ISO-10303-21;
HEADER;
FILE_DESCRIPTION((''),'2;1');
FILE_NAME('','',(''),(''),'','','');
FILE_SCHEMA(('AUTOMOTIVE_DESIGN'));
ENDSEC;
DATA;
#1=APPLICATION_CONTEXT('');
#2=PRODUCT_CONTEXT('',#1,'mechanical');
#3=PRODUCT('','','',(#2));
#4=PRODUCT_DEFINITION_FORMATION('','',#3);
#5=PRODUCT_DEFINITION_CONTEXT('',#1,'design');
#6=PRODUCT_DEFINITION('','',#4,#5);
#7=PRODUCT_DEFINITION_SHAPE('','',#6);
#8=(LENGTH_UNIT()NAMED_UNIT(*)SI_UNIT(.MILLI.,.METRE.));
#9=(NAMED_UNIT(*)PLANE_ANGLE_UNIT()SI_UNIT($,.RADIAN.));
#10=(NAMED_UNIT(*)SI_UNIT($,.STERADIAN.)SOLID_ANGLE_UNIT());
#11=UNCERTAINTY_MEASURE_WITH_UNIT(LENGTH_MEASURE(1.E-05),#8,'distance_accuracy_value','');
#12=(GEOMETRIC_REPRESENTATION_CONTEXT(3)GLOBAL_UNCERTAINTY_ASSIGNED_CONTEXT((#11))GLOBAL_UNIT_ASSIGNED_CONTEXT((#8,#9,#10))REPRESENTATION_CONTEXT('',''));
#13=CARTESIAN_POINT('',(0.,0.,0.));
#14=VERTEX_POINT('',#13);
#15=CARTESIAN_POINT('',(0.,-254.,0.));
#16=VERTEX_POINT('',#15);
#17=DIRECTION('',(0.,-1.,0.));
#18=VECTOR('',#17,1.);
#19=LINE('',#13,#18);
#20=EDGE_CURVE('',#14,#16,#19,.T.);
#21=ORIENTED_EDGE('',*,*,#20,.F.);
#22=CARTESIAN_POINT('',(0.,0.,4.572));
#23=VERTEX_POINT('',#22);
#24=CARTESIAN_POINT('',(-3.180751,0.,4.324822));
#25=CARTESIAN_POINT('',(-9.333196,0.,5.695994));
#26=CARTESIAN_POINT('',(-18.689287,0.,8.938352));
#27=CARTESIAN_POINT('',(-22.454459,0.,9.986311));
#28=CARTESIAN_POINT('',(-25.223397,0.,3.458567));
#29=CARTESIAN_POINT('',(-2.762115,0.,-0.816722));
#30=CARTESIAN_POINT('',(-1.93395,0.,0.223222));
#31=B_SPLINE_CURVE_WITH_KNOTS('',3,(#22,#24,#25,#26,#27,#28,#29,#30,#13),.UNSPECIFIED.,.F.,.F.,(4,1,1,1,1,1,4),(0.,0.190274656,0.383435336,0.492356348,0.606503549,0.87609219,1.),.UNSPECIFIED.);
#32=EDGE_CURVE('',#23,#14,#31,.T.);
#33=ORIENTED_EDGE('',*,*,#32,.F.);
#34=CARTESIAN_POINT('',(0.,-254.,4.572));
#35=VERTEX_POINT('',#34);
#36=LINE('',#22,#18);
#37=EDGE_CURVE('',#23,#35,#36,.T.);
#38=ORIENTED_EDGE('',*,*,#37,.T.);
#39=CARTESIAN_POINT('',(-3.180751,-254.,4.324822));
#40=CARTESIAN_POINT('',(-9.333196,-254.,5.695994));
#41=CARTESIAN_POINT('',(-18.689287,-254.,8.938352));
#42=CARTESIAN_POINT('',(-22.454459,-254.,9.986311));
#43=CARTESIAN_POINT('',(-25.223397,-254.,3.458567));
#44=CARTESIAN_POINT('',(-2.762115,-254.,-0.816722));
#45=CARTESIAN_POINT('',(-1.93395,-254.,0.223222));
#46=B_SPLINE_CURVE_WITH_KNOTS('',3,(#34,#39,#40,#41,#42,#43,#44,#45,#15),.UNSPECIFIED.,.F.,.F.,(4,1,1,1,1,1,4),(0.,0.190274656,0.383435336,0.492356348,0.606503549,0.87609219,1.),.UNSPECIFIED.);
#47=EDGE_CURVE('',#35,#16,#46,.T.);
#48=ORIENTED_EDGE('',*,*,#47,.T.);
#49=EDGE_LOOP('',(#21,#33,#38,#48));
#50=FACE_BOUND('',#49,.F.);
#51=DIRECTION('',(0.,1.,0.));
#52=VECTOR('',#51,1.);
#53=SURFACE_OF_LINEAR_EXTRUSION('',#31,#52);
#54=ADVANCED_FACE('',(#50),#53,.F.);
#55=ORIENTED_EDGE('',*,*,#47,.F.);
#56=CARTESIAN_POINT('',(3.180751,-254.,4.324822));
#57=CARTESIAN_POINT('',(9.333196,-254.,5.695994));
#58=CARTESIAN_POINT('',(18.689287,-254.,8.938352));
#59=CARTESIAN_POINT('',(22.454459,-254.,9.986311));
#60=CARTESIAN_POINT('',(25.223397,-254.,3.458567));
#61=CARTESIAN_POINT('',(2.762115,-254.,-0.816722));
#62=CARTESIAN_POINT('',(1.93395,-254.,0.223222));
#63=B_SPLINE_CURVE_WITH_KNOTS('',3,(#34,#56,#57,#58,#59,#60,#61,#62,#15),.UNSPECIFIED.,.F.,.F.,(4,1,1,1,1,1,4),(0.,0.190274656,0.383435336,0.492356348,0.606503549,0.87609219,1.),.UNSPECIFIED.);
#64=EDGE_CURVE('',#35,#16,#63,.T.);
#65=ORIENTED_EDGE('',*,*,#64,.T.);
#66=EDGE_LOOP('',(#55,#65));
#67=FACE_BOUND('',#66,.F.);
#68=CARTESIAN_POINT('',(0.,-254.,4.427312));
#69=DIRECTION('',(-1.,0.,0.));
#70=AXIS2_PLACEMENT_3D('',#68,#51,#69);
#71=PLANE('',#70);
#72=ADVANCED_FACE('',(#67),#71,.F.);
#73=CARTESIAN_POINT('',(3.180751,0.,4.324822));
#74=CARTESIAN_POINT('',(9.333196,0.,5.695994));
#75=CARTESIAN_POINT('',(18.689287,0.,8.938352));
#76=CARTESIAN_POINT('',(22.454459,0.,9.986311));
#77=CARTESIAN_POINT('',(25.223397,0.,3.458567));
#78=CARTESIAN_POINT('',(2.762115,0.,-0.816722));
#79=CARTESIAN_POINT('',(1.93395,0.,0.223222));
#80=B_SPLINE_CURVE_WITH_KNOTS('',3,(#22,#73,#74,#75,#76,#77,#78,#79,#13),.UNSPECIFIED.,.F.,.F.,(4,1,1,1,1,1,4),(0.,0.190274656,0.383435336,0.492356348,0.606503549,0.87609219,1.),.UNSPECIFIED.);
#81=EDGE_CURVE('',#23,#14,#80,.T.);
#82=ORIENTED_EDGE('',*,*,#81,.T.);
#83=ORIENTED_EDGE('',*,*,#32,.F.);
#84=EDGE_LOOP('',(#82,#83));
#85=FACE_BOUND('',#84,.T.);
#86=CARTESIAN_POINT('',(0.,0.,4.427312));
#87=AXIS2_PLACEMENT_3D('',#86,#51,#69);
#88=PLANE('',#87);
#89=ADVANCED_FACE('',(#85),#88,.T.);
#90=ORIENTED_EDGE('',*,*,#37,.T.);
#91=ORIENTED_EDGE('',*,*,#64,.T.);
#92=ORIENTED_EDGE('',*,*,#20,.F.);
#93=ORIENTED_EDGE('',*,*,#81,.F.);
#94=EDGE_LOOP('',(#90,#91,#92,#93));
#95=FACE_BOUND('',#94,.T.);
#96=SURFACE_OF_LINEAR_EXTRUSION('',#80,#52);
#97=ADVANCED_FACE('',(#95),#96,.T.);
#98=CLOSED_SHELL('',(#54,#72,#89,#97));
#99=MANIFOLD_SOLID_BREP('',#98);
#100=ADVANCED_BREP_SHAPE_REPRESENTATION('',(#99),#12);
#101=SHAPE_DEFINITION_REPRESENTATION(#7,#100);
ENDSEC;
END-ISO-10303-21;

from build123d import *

# Parameters (mm, degrees)
F1_DEPTH = 254


with BuildPart() as f1:
    # F0 (on Front) → F1 (new body)
    with BuildSketch(Plane.XZ):
        with BuildLine():
            add(Edge.make_bspline(
                [(0, 4.572), (3.1807506479, 4.3248224653), (9.3331957162, 5.6959939838), (18.6892871372, 8.9383521409), (22.4544594088, 9.9863107952), (25.2233967685, 3.4585667242), (2.7621152581, -0.8167218784), (1.9339498883, 0.2232217299), (0, 0)],
                knots=[0, 0, 0, 0, 0.1902746557, 0.3834353358, 0.4923563476, 0.6065035488, 0.8760921897, 1, 1, 1, 1], degree=3))
            add(Edge.make_bspline(
                [(0, 4.572), (-3.1807506479, 4.3248224653), (-9.3331957162, 5.6959939838), (-18.6892871372, 8.9383521409), (-22.4544594088, 9.9863107952), (-25.2233967685, 3.4585667242), (-2.7621152581, -0.8167218784), (-1.9339498883, 0.2232217299), (0, 0)],
                knots=[0, 0, 0, 0, 0.1902746557, 0.3834353358, 0.4923563476, 0.6065035488, 0.8760921897, 1, 1, 1, 1], degree=3))
        make_face()
    extrude(amount=F1_DEPTH)


solid = f1.part
